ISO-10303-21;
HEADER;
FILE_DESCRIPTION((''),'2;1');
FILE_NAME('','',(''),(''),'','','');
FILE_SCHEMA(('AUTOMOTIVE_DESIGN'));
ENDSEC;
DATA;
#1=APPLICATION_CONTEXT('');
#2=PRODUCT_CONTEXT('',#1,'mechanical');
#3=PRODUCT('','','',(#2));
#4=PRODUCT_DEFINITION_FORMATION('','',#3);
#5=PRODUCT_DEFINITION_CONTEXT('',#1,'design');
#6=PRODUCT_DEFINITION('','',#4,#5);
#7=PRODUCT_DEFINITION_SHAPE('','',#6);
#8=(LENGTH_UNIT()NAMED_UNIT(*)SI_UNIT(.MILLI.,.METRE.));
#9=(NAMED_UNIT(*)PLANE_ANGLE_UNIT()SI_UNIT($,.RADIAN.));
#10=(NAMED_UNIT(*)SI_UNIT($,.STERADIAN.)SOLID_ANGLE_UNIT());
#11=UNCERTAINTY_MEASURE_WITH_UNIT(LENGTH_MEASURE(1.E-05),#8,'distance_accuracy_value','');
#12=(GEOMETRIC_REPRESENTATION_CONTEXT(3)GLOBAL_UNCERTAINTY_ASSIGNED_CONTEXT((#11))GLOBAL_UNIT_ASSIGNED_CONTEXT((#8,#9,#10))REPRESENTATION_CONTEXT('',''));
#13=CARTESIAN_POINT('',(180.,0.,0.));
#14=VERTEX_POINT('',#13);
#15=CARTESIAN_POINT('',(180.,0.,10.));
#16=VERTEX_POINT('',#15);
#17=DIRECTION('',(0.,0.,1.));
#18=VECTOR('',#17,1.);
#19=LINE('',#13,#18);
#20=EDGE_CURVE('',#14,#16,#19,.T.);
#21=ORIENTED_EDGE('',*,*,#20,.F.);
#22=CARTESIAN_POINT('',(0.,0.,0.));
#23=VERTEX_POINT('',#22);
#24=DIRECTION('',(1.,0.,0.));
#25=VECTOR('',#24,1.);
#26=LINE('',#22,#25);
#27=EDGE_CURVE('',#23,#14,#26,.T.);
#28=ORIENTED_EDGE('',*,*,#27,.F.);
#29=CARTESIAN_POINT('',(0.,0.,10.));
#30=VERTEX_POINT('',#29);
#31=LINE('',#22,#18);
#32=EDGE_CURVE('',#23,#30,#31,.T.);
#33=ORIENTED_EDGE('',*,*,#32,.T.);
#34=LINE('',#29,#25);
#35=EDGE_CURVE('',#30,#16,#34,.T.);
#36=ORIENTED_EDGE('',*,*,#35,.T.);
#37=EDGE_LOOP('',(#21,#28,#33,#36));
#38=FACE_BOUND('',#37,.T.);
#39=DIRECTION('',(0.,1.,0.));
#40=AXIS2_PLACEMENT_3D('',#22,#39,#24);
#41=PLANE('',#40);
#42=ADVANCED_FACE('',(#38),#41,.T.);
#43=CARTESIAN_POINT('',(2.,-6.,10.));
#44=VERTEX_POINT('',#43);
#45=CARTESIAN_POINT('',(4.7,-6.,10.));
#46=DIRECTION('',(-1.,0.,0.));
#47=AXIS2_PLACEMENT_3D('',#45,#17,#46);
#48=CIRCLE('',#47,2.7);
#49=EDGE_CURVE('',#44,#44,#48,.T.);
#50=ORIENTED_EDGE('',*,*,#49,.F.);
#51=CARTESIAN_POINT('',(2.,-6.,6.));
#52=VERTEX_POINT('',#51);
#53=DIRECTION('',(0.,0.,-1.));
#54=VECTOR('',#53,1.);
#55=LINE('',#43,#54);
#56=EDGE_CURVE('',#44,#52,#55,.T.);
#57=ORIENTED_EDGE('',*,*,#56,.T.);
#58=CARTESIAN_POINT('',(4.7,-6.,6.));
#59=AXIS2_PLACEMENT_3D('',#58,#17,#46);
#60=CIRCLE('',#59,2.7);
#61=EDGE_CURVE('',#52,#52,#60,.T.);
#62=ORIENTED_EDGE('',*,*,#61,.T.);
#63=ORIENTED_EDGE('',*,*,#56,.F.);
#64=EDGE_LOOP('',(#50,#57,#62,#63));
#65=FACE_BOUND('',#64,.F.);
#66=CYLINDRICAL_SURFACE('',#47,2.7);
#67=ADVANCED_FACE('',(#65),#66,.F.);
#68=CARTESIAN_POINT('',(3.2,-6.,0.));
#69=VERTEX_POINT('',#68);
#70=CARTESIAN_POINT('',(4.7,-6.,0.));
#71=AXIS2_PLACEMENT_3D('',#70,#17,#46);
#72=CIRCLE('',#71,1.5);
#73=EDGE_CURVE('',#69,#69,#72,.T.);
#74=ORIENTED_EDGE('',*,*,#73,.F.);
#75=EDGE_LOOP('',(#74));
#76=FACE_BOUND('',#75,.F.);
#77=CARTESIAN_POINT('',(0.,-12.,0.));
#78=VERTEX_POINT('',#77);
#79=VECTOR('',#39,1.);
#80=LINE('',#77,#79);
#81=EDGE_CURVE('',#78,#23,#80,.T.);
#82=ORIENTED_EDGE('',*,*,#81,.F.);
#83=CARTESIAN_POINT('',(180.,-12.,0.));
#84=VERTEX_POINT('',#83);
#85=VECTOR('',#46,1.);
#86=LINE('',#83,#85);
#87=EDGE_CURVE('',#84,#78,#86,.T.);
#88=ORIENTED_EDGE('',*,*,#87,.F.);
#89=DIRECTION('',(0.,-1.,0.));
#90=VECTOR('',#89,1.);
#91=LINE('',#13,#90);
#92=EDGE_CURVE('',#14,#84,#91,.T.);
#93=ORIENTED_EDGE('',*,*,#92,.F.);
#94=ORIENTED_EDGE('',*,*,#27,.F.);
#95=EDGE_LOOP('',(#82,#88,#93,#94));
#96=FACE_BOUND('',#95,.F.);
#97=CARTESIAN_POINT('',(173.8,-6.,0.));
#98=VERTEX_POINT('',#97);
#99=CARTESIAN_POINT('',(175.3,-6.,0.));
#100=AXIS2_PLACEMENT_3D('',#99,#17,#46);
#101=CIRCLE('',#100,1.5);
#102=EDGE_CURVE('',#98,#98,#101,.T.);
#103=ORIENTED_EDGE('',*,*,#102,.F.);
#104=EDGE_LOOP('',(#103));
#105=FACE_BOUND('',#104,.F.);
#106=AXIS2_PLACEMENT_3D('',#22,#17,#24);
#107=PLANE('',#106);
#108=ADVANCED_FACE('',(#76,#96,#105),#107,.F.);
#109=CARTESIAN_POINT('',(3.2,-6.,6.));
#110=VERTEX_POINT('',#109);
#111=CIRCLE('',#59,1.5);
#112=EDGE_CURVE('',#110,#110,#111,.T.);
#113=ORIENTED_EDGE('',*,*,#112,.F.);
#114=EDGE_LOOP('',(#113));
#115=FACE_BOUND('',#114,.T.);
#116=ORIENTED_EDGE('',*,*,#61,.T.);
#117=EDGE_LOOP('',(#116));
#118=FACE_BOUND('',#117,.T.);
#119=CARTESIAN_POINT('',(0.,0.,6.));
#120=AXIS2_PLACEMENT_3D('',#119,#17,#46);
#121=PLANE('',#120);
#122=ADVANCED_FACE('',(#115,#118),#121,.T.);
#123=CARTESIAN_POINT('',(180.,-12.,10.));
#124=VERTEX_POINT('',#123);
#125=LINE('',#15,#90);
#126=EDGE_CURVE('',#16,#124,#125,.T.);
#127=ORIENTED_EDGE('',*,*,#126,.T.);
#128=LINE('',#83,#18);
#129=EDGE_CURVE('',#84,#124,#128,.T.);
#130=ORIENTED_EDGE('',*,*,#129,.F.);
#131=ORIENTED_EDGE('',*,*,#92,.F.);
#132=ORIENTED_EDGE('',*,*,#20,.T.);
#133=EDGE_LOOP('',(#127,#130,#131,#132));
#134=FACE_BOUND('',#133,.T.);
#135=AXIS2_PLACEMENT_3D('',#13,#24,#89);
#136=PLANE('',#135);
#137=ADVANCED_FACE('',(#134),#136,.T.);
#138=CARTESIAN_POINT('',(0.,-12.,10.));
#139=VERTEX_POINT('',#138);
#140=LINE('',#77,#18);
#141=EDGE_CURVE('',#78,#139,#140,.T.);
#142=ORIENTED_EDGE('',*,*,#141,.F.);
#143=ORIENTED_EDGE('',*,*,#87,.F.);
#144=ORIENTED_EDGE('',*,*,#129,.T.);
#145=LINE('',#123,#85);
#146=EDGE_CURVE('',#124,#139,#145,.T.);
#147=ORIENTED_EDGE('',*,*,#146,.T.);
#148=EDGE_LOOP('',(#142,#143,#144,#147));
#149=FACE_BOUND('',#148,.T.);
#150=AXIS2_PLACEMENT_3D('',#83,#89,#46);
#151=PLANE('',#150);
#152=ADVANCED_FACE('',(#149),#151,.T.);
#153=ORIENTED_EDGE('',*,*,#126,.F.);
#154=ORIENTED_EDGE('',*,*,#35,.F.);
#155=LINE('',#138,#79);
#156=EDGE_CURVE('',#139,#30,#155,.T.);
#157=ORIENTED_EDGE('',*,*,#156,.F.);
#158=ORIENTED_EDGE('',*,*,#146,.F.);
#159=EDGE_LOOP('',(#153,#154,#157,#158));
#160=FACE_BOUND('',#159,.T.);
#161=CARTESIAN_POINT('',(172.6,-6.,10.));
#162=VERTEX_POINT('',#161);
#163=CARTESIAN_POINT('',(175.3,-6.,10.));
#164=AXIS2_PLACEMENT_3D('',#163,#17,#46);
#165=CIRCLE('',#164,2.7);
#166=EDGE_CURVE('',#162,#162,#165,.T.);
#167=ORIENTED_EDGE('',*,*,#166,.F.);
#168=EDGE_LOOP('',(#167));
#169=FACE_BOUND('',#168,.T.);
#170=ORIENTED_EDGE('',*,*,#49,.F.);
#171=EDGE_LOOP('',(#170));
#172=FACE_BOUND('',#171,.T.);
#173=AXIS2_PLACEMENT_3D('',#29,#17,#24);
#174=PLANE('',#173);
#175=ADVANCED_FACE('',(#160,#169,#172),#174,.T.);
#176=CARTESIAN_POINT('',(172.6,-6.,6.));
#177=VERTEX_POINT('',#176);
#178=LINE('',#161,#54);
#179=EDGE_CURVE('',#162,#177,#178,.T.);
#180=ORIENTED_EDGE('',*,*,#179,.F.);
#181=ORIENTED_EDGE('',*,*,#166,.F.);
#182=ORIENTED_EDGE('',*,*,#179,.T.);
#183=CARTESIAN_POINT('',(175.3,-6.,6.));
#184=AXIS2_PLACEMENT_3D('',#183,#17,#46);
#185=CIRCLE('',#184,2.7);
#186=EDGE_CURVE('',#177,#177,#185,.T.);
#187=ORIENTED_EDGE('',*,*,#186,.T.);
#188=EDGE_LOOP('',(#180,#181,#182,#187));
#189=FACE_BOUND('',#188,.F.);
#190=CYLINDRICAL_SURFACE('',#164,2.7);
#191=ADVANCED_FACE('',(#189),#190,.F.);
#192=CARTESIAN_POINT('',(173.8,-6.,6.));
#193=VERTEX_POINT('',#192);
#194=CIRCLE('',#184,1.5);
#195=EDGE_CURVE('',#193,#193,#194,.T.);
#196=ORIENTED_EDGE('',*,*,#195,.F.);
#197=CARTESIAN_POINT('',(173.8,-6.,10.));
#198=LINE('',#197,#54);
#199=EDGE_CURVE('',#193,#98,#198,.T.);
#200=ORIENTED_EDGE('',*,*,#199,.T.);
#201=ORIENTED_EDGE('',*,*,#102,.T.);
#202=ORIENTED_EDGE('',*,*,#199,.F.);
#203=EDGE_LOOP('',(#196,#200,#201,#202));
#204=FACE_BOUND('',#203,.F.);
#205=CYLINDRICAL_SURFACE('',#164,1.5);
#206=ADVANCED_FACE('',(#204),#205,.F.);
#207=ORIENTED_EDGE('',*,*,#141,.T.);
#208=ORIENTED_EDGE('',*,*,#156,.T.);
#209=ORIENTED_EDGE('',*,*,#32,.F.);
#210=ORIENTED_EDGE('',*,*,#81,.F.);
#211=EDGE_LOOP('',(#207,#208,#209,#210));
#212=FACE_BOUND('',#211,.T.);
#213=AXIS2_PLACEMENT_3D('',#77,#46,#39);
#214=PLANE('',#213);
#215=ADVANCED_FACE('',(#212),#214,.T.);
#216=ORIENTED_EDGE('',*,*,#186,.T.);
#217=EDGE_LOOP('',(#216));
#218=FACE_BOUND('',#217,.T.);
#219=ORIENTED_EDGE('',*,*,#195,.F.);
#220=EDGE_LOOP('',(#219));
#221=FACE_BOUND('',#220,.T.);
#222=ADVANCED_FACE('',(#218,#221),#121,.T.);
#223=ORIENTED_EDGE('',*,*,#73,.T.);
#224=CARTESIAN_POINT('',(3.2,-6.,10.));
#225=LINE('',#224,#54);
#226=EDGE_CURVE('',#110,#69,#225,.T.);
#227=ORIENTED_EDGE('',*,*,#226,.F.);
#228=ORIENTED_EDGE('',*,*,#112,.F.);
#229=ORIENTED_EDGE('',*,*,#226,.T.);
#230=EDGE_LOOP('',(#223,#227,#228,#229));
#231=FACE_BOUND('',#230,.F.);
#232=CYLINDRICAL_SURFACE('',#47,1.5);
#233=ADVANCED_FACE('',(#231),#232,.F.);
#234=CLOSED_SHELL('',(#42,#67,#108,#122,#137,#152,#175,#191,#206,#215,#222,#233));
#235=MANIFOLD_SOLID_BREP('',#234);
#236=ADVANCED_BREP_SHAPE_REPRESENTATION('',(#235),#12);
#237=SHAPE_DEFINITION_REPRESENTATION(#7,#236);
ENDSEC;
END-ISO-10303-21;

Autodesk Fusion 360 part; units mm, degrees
sketch "Sketch1" plane through (0, 0, 0) normal (0, 0, 1) x (1, 0, 0)
  line L0 (0, 0) -> (180, 0)
  line L1 (180, 0) -> (180, -12)
  line L2 (180, -12) -> (0, -12)
  line L3 (0, -12) -> (0, 0)
  dimension "d16" = 180
  dimension "d17" = 12
extrude "Extrude1" add sketch "Sketch1" along normal blind 10
sketch "Sketch6" plane through (0, 0, 10) normal (0, 0, 1) x (-1, 0, 0)
  line L0 (0, 12) -> (-180, 12)
  line L1 (-180, 12) -> (-180, 0)
  line L2 (-180, 0) -> (0, 0)
  line L3 (0, 0) -> (0, 12)
  circle A0 centre (-4.7, 6) radius 1.5
  circle A1 centre (-4.7, 6) radius 2.7
  circle A2 centre (-175.3, 6) radius 1.5
  circle A3 centre (-175.3, 6) radius 2.7
  line L4 (0, 12) -> (0, 0)
  line L5 (0, 0) -> (-180, 0)
  line L6 (-180, 0) -> (-180, 12)
  dimension "d65" = 3
  dimension "d66" = 1.2
  dimension "d67" = 3
  dimension "d68" = 1.2
  dimension "d69" = 4.7
  dimension "d70" = 6
  dimension "d71" = 4.7
  dimension "d72" = 6
extrude "Extrude9" cut sketch "Sketch6" against normal blind 100 contours A2
extrude "Extrude10" cut sketch "Sketch6" against normal blind 4 contours A3
extrude "Extrude11" cut sketch "Sketch6" against normal blind 100 contours A0
extrude "Extrude12" cut sketch "Sketch6" against normal blind 4 contours A1
equation "length = 180 mm"
equation "height = 10 mm"
equation "width = 12 mm"
equation "d16 = length"
equation "d17 = width"
equation "d18 = height"
equation "extra = 100 mm"
equation "bearing_outer_radius = 2.7 mm"
equation "bearing_width = 4 mm"
equation "bearing_big_distance = 2 mm + bearing_outer_radius"
equation "bearing_small_distance = width / 2"
equation "bearing_inner_radius = 1.5 mm"
equation "d65 = bearing_inner_radius * 2"
equation "d66 = bearing_outer_radius - bearing_inner_radius"
equation "d67 = bearing_inner_radius * 2"
equation "d68 = bearing_outer_radius - bearing_inner_radius"
equation "d69 = bearing_big_distance"
equation "d70 = bearing_small_distance"
equation "d71 = bearing_big_distance"
equation "d72 = bearing_small_distance"
equation "d73 = -extra"
equation "d75 = -bearing_width"
equation "d77 = -extra"
equation "d79 = -bearing_width"
